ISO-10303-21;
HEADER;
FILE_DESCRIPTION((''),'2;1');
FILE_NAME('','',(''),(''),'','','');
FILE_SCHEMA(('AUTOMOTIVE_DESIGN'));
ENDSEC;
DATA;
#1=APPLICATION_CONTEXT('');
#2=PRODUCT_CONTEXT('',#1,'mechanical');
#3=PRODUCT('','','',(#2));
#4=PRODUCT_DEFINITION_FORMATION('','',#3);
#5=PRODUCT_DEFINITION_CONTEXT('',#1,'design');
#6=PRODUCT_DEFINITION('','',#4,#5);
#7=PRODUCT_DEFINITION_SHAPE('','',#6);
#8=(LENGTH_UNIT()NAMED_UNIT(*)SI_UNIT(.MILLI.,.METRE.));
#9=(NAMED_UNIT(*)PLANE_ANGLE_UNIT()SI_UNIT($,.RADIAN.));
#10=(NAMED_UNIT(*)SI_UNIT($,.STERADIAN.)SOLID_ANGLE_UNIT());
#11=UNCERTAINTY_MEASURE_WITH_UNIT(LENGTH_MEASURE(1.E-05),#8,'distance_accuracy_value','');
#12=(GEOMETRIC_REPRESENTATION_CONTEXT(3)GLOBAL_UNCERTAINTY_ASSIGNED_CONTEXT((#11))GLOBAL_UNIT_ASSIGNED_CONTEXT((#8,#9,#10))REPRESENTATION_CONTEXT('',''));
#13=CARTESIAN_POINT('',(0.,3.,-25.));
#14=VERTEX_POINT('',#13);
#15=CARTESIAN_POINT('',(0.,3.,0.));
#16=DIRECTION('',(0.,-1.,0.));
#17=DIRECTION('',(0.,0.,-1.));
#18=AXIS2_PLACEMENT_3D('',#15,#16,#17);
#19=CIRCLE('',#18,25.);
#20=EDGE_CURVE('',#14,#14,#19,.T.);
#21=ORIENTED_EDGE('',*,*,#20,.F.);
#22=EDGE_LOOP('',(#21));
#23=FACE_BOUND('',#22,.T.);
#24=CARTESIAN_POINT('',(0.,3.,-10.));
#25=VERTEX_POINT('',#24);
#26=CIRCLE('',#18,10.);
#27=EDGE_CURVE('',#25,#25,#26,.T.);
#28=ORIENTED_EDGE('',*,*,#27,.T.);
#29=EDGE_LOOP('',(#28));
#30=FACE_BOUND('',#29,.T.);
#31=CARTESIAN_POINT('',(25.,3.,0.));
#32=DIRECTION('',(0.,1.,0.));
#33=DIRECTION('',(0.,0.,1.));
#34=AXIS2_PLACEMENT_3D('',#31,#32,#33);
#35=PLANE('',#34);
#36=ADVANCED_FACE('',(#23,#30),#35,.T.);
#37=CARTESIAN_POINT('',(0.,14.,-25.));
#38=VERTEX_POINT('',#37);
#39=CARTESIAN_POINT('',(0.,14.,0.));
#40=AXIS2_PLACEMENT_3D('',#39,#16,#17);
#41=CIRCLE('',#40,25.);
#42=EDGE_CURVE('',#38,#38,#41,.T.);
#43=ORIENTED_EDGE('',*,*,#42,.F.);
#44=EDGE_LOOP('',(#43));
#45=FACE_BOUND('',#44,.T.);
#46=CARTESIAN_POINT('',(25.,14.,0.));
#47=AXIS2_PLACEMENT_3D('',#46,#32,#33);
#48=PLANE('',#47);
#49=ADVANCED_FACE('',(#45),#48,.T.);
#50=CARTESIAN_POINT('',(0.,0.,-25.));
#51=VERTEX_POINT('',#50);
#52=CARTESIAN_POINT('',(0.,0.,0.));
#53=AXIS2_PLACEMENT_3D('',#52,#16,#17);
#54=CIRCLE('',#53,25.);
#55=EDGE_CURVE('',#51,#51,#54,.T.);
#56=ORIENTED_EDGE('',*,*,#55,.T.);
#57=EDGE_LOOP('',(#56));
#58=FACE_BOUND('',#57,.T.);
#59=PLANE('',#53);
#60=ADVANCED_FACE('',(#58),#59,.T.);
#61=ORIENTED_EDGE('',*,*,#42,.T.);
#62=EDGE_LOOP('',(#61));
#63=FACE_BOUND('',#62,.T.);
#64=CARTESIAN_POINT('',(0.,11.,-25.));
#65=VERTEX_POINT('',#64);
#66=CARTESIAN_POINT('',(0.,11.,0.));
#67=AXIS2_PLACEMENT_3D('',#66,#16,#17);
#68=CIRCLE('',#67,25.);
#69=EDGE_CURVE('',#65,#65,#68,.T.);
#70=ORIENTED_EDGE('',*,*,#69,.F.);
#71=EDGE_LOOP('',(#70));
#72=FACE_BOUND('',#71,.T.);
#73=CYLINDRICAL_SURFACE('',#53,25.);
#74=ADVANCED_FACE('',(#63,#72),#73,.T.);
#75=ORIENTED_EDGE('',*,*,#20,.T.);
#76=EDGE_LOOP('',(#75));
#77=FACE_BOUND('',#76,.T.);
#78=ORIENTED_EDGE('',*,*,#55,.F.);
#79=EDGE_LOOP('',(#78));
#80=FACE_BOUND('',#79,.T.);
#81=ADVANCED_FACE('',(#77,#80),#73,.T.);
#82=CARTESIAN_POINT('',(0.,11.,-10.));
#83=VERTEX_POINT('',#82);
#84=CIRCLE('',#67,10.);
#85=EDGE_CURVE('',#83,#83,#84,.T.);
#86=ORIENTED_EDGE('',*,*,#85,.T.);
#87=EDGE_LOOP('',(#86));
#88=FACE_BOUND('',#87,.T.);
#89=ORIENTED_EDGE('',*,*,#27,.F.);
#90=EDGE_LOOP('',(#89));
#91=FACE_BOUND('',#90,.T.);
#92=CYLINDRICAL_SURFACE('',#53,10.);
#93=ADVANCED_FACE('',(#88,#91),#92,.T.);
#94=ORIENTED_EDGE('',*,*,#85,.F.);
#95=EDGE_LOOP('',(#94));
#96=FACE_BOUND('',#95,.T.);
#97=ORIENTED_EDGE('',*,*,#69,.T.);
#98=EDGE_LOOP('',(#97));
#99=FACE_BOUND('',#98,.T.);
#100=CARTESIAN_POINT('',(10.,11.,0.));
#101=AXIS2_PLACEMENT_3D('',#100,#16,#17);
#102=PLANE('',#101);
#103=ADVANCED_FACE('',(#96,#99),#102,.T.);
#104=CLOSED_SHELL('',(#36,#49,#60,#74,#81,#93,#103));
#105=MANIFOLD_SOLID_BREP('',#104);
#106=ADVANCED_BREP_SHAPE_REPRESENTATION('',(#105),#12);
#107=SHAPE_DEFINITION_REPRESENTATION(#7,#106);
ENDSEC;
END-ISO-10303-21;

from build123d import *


with BuildPart() as part:
    # ｽｹｯﾁ1 → 回転1 (revolve)
    with BuildSketch(Plane.XY):
        Polygon((0, 0), (25, 0), (25, 3), (10, 3), (10, 11), (25, 11), (25, 14), (0, 14), align=None)
    revolve(axis=Axis((0, 0, 0), (0, 1, 0)))


solid = part.part
